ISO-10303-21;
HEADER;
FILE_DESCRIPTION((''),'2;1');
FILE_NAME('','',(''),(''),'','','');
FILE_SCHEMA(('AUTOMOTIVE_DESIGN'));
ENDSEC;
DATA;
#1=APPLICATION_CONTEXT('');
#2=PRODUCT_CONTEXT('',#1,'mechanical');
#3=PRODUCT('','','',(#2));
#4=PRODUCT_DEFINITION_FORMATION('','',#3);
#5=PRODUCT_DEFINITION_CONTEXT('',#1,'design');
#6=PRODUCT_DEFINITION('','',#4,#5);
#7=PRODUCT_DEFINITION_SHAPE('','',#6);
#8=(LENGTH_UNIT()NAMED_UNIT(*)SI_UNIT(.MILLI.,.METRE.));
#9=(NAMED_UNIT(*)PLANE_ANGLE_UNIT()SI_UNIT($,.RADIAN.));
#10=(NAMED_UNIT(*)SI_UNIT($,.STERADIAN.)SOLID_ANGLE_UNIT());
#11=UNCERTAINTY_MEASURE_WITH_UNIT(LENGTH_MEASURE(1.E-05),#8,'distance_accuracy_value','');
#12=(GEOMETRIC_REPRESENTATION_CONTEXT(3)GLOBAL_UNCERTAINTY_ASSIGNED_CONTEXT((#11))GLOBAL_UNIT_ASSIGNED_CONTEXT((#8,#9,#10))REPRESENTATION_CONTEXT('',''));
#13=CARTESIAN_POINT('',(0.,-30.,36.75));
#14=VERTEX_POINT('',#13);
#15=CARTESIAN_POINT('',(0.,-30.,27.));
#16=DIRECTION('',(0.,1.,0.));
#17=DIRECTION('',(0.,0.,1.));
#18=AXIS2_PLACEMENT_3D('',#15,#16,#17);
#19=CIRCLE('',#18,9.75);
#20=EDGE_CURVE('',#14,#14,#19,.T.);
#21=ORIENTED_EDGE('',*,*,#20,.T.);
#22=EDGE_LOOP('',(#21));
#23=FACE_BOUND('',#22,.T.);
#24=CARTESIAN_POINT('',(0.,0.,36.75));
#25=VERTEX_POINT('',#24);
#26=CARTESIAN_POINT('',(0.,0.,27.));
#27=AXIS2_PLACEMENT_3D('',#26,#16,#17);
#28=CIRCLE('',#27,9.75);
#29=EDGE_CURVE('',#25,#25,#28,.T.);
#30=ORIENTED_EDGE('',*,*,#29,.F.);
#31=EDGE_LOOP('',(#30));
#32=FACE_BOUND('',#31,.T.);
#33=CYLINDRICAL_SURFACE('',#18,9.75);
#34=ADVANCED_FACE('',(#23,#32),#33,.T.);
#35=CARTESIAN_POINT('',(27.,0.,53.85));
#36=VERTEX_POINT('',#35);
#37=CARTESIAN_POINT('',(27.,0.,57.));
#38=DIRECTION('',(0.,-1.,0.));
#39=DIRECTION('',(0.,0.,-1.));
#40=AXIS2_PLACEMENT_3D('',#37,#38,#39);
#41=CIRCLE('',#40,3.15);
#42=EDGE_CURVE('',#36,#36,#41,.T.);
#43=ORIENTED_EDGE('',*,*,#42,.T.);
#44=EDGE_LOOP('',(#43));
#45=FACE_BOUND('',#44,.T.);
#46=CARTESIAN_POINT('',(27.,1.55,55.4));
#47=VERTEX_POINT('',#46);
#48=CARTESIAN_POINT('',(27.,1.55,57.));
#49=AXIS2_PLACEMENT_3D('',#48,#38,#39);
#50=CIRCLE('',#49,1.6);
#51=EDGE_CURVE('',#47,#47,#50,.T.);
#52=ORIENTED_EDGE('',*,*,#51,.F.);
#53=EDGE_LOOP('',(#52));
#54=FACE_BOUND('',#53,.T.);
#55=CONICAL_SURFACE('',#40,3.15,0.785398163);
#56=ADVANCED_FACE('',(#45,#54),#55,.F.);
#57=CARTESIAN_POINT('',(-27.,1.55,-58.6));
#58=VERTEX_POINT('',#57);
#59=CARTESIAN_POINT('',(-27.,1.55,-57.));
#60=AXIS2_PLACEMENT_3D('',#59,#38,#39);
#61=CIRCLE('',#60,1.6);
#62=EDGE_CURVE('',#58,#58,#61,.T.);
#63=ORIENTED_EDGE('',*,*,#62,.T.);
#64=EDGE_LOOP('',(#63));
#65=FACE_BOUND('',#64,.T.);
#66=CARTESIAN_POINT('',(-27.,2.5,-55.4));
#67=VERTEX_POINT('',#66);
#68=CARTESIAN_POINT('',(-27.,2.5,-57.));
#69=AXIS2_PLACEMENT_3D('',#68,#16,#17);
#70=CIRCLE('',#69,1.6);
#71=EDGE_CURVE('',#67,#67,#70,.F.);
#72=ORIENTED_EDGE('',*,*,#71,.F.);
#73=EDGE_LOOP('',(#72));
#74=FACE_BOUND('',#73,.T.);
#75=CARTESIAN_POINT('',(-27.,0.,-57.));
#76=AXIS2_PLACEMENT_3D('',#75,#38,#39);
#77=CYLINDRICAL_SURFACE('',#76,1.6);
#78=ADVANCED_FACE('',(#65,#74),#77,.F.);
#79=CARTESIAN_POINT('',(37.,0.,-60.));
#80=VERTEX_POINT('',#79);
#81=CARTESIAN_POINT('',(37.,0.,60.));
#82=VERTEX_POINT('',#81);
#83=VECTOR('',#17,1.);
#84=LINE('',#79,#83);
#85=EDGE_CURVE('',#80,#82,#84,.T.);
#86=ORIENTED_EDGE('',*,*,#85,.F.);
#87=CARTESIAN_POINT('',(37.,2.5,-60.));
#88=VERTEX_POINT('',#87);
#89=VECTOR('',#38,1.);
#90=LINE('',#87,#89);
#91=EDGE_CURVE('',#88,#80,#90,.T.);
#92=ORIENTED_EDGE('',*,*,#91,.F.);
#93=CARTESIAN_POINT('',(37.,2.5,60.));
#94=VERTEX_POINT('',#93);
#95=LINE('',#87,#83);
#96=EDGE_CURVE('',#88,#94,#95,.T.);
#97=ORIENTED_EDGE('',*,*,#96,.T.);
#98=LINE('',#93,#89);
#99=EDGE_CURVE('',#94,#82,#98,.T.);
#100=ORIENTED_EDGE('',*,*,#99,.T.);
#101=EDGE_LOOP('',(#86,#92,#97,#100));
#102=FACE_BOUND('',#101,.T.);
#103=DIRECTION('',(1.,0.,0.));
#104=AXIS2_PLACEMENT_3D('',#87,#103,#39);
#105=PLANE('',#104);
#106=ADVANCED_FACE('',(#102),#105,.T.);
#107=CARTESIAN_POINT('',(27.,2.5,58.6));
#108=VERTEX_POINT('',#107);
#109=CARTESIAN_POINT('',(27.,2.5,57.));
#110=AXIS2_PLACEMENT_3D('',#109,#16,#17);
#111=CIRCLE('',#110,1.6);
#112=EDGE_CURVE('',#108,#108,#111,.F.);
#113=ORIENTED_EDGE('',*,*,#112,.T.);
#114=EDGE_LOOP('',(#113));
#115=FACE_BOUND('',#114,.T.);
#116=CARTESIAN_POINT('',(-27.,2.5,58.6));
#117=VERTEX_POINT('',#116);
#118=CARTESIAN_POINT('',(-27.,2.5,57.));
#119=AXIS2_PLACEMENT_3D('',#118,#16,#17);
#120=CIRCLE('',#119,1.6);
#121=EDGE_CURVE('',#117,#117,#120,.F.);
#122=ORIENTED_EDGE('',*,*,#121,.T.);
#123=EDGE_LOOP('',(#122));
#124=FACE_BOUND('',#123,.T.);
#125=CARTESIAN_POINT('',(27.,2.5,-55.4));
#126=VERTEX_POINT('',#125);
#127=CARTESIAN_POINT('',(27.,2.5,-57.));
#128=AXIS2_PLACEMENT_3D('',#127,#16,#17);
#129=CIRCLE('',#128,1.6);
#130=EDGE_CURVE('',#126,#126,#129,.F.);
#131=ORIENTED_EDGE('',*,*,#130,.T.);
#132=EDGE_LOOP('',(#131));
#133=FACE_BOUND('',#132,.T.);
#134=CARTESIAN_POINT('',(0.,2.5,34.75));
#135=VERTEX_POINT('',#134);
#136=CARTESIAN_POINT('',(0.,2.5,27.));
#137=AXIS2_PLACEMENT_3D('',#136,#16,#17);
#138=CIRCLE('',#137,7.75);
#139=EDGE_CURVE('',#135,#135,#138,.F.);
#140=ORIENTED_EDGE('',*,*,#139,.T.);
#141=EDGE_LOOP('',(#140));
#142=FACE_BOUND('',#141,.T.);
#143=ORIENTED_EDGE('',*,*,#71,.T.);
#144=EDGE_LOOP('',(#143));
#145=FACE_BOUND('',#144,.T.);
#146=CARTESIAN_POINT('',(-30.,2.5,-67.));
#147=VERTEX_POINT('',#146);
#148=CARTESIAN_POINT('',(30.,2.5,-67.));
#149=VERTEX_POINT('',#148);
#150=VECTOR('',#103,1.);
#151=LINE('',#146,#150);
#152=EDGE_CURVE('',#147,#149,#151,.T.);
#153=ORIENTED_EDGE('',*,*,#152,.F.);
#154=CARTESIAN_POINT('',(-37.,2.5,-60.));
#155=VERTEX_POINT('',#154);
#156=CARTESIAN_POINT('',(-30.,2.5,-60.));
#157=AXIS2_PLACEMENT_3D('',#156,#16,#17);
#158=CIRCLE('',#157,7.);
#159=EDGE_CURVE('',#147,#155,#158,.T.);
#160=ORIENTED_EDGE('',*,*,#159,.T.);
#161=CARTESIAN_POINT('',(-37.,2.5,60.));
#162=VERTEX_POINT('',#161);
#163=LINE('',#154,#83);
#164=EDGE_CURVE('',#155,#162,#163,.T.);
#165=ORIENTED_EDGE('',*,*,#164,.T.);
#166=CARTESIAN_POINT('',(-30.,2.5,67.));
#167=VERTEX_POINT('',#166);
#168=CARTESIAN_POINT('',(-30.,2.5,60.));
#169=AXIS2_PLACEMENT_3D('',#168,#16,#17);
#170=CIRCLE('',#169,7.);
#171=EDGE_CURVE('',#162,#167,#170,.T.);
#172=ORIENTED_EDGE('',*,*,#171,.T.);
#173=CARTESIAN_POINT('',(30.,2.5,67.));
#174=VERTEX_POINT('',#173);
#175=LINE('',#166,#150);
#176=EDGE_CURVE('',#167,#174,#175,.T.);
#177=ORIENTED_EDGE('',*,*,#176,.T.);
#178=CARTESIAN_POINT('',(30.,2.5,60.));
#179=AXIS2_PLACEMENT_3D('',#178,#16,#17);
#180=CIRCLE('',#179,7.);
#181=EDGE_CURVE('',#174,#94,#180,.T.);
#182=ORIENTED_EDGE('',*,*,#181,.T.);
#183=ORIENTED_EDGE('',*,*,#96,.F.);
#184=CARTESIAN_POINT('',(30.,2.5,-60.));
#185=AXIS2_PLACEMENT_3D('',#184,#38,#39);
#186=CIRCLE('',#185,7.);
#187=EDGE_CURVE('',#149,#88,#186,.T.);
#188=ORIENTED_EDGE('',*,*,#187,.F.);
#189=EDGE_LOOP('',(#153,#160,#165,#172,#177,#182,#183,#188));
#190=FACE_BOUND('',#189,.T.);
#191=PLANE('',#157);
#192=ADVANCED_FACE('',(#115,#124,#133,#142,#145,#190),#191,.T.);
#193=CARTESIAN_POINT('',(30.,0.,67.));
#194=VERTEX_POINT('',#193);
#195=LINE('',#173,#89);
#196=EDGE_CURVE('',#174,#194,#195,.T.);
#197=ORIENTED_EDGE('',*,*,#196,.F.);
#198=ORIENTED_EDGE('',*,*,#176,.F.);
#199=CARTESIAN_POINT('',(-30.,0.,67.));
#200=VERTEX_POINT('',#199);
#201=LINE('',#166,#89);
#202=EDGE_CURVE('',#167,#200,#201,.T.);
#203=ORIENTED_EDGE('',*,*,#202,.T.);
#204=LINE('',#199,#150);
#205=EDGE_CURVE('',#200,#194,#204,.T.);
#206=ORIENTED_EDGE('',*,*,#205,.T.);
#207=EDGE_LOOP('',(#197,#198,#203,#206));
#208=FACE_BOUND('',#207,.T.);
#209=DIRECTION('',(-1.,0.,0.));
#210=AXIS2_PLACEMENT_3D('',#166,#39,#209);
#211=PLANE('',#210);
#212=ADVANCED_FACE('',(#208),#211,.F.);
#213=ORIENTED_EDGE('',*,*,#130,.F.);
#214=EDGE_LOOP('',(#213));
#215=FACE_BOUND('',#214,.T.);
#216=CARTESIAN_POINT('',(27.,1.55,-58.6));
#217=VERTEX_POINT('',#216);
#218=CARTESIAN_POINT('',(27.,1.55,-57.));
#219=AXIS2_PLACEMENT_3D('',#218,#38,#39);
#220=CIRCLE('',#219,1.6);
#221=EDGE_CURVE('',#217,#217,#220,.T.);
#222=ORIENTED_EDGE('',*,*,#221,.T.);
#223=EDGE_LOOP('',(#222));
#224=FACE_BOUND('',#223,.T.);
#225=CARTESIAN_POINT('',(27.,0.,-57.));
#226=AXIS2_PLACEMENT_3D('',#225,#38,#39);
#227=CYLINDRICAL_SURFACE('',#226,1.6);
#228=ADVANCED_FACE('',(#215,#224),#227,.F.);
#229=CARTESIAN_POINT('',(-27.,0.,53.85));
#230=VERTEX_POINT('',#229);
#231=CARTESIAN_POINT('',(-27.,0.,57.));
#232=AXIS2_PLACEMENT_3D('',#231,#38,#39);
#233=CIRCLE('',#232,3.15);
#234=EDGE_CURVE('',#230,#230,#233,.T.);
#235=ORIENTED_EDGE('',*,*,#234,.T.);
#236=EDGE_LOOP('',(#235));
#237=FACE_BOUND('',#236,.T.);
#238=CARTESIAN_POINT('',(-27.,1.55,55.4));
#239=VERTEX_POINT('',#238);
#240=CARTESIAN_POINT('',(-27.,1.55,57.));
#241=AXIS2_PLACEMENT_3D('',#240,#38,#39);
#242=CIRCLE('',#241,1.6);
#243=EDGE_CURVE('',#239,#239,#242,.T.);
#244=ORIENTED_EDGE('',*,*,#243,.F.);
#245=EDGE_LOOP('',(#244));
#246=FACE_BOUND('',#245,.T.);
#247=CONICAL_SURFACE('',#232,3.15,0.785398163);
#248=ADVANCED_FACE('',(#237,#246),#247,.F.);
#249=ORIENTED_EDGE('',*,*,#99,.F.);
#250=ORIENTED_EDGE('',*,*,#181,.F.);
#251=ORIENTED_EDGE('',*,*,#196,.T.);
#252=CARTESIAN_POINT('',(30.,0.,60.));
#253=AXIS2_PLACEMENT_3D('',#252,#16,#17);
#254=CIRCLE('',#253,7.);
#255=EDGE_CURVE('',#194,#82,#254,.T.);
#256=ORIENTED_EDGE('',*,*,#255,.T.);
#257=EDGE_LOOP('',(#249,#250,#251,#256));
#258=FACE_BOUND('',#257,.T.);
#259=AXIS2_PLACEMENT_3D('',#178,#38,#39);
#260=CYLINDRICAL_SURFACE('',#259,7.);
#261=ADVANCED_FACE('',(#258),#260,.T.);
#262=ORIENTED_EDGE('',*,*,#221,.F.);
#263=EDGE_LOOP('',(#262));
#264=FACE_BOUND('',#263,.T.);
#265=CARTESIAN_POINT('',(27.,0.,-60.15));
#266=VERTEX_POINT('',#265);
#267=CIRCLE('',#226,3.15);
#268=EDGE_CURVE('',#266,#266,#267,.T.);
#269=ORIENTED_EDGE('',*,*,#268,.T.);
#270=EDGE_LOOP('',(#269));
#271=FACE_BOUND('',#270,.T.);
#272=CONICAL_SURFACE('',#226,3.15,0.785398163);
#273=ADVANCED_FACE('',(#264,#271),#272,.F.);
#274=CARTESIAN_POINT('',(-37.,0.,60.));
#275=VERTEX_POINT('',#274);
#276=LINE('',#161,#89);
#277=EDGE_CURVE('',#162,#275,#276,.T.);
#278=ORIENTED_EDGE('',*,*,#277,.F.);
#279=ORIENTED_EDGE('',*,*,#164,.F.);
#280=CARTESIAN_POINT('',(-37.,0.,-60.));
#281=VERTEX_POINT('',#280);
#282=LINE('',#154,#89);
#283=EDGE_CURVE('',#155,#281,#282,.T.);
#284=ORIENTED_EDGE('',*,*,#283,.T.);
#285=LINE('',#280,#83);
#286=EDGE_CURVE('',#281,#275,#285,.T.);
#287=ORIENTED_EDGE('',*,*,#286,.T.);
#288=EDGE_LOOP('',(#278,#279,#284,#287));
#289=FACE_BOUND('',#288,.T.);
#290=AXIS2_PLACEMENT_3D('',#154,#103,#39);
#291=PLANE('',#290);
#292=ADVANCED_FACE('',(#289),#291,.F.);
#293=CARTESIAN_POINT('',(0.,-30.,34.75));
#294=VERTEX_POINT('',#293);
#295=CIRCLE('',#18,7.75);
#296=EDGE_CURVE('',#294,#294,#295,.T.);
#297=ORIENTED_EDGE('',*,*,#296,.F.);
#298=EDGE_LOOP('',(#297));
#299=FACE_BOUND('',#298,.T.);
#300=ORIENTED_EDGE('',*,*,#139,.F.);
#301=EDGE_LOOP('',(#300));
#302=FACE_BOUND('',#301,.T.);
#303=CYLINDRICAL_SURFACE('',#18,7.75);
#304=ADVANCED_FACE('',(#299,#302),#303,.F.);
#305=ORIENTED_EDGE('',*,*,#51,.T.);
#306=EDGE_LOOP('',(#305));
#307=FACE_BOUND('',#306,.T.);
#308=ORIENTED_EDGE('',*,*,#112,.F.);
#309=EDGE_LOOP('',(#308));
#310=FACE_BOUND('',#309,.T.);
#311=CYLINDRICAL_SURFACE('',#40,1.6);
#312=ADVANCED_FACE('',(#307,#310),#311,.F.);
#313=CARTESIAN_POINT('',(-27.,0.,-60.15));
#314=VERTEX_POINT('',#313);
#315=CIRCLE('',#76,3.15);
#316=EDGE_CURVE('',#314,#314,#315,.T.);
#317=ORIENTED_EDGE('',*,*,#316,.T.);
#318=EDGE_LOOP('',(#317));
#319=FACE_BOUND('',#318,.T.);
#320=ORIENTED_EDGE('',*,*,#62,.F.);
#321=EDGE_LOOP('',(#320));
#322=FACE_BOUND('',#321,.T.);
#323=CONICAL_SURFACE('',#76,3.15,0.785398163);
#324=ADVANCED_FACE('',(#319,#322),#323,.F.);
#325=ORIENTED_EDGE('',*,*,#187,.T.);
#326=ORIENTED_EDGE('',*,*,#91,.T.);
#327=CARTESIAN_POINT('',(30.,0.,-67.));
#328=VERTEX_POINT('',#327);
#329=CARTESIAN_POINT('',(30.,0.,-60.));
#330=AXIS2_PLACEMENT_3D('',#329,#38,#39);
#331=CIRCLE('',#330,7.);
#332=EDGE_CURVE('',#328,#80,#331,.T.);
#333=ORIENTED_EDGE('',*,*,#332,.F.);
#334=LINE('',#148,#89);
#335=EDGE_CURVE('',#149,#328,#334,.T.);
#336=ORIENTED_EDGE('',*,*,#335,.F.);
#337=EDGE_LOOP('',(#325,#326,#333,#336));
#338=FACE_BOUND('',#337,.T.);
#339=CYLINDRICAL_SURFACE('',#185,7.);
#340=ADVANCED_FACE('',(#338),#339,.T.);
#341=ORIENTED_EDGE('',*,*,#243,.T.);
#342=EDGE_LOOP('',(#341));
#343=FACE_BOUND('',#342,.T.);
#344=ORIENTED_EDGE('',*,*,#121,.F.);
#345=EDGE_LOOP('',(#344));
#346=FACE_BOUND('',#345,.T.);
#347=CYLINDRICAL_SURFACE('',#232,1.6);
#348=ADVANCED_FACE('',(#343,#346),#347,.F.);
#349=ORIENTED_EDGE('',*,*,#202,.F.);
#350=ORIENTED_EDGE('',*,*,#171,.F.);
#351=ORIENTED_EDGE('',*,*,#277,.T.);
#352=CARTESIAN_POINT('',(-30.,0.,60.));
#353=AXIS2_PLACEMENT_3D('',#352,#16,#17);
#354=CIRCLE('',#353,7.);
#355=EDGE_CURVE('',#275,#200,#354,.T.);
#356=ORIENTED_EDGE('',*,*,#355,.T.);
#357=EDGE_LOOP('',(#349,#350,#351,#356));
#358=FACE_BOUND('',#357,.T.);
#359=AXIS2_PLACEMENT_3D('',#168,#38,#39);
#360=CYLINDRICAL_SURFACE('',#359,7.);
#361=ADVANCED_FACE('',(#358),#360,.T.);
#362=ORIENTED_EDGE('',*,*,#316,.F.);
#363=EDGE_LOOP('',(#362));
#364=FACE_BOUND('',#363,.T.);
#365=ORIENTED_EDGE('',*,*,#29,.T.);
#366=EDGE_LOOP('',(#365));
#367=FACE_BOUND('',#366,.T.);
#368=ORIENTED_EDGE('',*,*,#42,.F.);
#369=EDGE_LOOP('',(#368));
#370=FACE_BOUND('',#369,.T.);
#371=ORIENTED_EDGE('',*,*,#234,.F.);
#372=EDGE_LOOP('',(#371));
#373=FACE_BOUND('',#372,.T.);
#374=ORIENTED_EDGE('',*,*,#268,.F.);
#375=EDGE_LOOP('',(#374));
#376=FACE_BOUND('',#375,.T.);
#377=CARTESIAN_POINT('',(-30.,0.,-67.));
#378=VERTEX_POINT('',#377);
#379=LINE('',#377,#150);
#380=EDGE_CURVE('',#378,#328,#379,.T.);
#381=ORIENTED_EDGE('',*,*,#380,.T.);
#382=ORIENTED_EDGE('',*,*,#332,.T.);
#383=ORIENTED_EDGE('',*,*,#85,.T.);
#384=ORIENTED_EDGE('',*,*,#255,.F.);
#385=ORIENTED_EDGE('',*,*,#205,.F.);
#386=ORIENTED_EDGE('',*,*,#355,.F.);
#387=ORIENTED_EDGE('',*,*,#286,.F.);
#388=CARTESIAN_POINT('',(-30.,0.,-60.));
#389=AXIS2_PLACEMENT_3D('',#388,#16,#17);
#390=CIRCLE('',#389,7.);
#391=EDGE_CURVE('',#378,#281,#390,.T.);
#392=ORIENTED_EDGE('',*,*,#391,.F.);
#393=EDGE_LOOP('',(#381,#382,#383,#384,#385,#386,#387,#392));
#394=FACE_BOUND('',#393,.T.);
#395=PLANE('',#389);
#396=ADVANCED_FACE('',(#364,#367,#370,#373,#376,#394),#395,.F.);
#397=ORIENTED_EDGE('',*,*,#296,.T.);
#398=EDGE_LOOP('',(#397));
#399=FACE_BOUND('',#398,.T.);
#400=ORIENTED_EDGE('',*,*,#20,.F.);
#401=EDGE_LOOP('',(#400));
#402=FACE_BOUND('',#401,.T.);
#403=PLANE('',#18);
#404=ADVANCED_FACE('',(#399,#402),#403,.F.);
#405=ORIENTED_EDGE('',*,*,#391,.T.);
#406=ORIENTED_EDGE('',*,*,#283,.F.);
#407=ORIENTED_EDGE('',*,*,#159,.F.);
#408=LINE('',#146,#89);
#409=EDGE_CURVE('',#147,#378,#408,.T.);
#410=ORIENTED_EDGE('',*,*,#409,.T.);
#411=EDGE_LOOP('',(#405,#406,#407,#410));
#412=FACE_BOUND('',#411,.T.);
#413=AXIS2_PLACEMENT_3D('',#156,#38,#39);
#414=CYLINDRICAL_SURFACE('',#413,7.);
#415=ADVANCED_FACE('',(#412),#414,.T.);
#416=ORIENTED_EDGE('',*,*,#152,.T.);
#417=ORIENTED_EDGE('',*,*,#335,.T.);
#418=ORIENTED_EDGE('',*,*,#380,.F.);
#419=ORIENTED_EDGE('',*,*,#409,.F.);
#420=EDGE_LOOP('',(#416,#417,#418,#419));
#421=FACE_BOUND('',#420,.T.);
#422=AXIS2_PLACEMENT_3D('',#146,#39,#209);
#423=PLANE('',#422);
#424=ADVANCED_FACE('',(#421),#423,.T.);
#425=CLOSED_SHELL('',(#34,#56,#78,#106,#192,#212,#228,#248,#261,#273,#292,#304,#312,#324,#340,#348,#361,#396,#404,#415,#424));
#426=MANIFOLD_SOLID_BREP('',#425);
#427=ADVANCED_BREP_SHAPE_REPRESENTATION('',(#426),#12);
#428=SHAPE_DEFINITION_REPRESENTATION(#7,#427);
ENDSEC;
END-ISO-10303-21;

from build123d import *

# Parameters (mm, degrees)
BOSS_EXTRUDE1_DEPTH                                 = 2.5
SKETCH1_4_R                                         = 9.75
SKETCH1_4_R_2                                       = 7.75
BOSS_EXTRUDE3_DEPTH                                 = 30
CUT_EXTRUDE1_START                                  = 10
SKETCH1_5_R                                         = 7.75
CUT_EXTRUDE1_DEPTH                                  = 10
CSK_FOR_M3_COUNTERSUNK_FLAT_HEAD_SCREW1_D           = 3.2
CSK_FOR_M3_COUNTERSUNK_FLAT_HEAD_SCREW1_DEPTH       = 2.5
CSK_FOR_M3_COUNTERSUNK_FLAT_HEAD_SCREW1_CSINK_D     = 6.3
CSK_FOR_M3_COUNTERSUNK_FLAT_HEAD_SCREW1_CSINK_ANGLE = 90
CSK_FOR_M3_COUNTERSUNK_FLAT_HEAD_SCREW1_TIP         = 0.96137699


with BuildPart() as part:
    # Sketch1 → Boss-Extrude1 (new body)
    with BuildSketch(Plane(origin=(0, 0, 0), x_dir=(1, 0, 0), z_dir=(0, 1, 0))):
        with BuildLine():
            Line((-37, 60), (-37, -60))
            ThreePointArc((-37, -60), (-34.949747468, -64.949747468), (-30, -67))
            Line((-30, -67), (30, -67))
            ThreePointArc((30, -67), (34.949747468, -64.949747468), (37, -60))
            Line((37, -60), (37, 60))
            ThreePointArc((37, 60), (34.949747468, 64.949747468), (30, 67))
            Line((30, 67), (-30, 67))
            ThreePointArc((-30, 67), (-34.949747468, 64.949747468), (-37, 60))
        make_face()
    extrude(amount=BOSS_EXTRUDE1_DEPTH)

    # Sketch1<4> → Boss-Extrude3 (add)
    with BuildSketch(Plane(origin=(0, 0, 0), x_dir=(1, 0, 0), z_dir=(0, 1, 0))):
        with Locations((0, -27)):
            Circle(SKETCH1_4_R)
        with Locations((0, -27)):
            Circle(SKETCH1_4_R_2, mode=Mode.SUBTRACT)
    extrude(amount=-BOSS_EXTRUDE3_DEPTH)

    # Sketch1<5> → Cut-Extrude1 (cut)
    with BuildSketch(Plane(origin=(0, 0, 0), x_dir=(1, 0, 0), z_dir=(0, 1, 0)).offset(CUT_EXTRUDE1_START)):
        with Locations((0, -27)):
            Circle(SKETCH1_5_R)
    extrude(amount=-CUT_EXTRUDE1_DEPTH, mode=Mode.SUBTRACT)

    # CSK for M3 Countersunk Flat Head Screw1
    with Locations(Plane(origin=(0, 0, 0), x_dir=(-1, 0, 0), z_dir=(0, -1, 0))):
        with Locations((27, -57), (-27, -57), (-27, 57), (27, 57)):
            CounterSinkHole(CSK_FOR_M3_COUNTERSUNK_FLAT_HEAD_SCREW1_D / 2, CSK_FOR_M3_COUNTERSUNK_FLAT_HEAD_SCREW1_CSINK_D / 2, depth=CSK_FOR_M3_COUNTERSUNK_FLAT_HEAD_SCREW1_DEPTH, counter_sink_angle=CSK_FOR_M3_COUNTERSUNK_FLAT_HEAD_SCREW1_CSINK_ANGLE)
            with Locations((0, 0, -(CSK_FOR_M3_COUNTERSUNK_FLAT_HEAD_SCREW1_DEPTH + CSK_FOR_M3_COUNTERSUNK_FLAT_HEAD_SCREW1_TIP / 2))):  # 118° drill point
                Cone(0, CSK_FOR_M3_COUNTERSUNK_FLAT_HEAD_SCREW1_D / 2, CSK_FOR_M3_COUNTERSUNK_FLAT_HEAD_SCREW1_TIP, mode=Mode.SUBTRACT)


solid = part.part
